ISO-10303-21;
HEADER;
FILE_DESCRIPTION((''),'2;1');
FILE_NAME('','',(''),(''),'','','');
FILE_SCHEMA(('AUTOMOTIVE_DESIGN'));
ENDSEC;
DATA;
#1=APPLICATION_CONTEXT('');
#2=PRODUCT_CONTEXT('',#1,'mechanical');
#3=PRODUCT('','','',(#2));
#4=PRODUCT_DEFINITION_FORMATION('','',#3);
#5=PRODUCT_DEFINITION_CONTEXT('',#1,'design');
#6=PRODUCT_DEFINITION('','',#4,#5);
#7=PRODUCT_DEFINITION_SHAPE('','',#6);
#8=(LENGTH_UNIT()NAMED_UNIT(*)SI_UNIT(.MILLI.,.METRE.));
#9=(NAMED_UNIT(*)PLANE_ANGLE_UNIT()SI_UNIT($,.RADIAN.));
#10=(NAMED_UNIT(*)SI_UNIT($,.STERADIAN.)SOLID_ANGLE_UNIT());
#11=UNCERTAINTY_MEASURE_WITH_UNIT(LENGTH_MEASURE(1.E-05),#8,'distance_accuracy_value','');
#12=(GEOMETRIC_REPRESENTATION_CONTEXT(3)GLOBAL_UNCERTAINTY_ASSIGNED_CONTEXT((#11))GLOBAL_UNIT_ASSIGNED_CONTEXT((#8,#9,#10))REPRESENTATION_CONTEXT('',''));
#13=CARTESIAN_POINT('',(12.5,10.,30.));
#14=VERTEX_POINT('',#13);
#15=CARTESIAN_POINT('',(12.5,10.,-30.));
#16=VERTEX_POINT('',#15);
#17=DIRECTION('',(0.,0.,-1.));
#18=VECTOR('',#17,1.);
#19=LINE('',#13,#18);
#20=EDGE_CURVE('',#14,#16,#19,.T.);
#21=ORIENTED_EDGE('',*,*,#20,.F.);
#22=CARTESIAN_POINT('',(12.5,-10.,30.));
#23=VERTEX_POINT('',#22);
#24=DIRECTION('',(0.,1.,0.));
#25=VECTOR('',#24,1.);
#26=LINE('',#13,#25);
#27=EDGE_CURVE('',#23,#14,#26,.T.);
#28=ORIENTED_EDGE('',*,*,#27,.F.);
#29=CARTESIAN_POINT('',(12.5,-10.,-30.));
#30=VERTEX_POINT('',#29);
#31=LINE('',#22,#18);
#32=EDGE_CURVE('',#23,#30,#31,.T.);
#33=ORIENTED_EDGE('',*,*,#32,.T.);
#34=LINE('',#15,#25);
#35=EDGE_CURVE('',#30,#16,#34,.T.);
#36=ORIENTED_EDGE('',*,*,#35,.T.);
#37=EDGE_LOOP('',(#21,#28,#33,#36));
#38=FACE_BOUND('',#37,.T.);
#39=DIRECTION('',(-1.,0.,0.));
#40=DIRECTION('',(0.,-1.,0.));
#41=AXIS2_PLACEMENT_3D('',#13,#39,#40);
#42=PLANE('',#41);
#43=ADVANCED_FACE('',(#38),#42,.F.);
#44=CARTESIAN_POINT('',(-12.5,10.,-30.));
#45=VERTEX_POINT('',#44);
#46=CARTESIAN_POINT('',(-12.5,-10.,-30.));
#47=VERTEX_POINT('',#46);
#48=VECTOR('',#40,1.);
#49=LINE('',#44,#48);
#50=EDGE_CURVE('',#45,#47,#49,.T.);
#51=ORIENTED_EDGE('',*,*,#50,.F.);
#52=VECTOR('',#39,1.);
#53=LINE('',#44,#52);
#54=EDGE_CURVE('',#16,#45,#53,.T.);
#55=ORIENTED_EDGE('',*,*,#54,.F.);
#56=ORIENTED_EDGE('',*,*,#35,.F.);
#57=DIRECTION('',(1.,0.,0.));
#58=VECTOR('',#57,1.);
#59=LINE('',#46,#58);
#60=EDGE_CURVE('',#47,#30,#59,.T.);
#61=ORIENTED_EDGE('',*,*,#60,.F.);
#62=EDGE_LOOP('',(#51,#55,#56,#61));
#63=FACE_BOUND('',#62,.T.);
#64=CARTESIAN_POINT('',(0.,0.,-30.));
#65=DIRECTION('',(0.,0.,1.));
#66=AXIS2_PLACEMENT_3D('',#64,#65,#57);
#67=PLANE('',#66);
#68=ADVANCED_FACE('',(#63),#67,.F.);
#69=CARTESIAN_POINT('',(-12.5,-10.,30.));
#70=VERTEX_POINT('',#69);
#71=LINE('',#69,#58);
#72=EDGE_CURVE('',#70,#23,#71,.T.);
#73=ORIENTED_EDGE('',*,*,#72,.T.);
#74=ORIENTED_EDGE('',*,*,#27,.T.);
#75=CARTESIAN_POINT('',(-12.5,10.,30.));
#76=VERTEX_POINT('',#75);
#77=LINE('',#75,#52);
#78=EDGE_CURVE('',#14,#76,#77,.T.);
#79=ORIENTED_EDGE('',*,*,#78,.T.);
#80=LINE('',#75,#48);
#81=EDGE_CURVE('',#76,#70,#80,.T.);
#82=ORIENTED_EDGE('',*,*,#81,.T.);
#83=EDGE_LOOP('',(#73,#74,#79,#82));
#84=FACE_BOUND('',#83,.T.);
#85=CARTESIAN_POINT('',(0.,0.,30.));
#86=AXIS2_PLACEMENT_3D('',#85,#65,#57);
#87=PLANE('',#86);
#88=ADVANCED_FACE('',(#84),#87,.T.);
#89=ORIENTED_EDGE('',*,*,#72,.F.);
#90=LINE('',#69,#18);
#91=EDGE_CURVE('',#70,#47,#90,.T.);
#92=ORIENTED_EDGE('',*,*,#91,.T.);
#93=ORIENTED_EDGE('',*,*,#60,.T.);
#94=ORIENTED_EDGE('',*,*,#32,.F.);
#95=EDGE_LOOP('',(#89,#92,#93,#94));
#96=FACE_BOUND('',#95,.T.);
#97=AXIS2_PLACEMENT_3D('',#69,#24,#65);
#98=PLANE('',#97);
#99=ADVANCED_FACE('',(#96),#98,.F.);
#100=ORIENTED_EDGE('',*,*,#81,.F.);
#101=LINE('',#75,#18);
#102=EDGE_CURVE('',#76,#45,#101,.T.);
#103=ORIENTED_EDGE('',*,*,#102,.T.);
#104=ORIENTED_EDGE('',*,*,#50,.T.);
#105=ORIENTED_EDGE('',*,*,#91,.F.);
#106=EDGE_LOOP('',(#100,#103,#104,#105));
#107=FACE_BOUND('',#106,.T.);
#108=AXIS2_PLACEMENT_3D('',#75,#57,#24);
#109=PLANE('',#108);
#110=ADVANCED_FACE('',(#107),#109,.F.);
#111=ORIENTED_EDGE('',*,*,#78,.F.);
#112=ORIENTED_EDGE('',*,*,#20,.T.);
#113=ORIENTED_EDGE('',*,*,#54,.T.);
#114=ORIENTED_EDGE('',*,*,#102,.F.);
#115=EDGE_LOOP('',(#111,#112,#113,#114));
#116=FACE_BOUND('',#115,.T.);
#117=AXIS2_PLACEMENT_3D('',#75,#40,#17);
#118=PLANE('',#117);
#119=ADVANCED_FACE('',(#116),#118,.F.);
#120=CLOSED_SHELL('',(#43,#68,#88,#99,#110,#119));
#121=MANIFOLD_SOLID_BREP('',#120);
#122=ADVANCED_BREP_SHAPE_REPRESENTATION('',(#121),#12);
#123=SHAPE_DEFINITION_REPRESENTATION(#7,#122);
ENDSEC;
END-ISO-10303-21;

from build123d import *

# Parameters (mm, degrees)
CROQUIS1_W              = 25
CROQUIS1_H              = 20
SALIENTE_EXTRUIR1_DEPTH = 30


with BuildPart() as part:
    # Croquis1 → Saliente-Extruir1 (new body, symmetric)
    with BuildSketch(Plane.XY):
        Rectangle(CROQUIS1_W, CROQUIS1_H)
    extrude(amount=SALIENTE_EXTRUIR1_DEPTH, both=True)


solid = part.part
